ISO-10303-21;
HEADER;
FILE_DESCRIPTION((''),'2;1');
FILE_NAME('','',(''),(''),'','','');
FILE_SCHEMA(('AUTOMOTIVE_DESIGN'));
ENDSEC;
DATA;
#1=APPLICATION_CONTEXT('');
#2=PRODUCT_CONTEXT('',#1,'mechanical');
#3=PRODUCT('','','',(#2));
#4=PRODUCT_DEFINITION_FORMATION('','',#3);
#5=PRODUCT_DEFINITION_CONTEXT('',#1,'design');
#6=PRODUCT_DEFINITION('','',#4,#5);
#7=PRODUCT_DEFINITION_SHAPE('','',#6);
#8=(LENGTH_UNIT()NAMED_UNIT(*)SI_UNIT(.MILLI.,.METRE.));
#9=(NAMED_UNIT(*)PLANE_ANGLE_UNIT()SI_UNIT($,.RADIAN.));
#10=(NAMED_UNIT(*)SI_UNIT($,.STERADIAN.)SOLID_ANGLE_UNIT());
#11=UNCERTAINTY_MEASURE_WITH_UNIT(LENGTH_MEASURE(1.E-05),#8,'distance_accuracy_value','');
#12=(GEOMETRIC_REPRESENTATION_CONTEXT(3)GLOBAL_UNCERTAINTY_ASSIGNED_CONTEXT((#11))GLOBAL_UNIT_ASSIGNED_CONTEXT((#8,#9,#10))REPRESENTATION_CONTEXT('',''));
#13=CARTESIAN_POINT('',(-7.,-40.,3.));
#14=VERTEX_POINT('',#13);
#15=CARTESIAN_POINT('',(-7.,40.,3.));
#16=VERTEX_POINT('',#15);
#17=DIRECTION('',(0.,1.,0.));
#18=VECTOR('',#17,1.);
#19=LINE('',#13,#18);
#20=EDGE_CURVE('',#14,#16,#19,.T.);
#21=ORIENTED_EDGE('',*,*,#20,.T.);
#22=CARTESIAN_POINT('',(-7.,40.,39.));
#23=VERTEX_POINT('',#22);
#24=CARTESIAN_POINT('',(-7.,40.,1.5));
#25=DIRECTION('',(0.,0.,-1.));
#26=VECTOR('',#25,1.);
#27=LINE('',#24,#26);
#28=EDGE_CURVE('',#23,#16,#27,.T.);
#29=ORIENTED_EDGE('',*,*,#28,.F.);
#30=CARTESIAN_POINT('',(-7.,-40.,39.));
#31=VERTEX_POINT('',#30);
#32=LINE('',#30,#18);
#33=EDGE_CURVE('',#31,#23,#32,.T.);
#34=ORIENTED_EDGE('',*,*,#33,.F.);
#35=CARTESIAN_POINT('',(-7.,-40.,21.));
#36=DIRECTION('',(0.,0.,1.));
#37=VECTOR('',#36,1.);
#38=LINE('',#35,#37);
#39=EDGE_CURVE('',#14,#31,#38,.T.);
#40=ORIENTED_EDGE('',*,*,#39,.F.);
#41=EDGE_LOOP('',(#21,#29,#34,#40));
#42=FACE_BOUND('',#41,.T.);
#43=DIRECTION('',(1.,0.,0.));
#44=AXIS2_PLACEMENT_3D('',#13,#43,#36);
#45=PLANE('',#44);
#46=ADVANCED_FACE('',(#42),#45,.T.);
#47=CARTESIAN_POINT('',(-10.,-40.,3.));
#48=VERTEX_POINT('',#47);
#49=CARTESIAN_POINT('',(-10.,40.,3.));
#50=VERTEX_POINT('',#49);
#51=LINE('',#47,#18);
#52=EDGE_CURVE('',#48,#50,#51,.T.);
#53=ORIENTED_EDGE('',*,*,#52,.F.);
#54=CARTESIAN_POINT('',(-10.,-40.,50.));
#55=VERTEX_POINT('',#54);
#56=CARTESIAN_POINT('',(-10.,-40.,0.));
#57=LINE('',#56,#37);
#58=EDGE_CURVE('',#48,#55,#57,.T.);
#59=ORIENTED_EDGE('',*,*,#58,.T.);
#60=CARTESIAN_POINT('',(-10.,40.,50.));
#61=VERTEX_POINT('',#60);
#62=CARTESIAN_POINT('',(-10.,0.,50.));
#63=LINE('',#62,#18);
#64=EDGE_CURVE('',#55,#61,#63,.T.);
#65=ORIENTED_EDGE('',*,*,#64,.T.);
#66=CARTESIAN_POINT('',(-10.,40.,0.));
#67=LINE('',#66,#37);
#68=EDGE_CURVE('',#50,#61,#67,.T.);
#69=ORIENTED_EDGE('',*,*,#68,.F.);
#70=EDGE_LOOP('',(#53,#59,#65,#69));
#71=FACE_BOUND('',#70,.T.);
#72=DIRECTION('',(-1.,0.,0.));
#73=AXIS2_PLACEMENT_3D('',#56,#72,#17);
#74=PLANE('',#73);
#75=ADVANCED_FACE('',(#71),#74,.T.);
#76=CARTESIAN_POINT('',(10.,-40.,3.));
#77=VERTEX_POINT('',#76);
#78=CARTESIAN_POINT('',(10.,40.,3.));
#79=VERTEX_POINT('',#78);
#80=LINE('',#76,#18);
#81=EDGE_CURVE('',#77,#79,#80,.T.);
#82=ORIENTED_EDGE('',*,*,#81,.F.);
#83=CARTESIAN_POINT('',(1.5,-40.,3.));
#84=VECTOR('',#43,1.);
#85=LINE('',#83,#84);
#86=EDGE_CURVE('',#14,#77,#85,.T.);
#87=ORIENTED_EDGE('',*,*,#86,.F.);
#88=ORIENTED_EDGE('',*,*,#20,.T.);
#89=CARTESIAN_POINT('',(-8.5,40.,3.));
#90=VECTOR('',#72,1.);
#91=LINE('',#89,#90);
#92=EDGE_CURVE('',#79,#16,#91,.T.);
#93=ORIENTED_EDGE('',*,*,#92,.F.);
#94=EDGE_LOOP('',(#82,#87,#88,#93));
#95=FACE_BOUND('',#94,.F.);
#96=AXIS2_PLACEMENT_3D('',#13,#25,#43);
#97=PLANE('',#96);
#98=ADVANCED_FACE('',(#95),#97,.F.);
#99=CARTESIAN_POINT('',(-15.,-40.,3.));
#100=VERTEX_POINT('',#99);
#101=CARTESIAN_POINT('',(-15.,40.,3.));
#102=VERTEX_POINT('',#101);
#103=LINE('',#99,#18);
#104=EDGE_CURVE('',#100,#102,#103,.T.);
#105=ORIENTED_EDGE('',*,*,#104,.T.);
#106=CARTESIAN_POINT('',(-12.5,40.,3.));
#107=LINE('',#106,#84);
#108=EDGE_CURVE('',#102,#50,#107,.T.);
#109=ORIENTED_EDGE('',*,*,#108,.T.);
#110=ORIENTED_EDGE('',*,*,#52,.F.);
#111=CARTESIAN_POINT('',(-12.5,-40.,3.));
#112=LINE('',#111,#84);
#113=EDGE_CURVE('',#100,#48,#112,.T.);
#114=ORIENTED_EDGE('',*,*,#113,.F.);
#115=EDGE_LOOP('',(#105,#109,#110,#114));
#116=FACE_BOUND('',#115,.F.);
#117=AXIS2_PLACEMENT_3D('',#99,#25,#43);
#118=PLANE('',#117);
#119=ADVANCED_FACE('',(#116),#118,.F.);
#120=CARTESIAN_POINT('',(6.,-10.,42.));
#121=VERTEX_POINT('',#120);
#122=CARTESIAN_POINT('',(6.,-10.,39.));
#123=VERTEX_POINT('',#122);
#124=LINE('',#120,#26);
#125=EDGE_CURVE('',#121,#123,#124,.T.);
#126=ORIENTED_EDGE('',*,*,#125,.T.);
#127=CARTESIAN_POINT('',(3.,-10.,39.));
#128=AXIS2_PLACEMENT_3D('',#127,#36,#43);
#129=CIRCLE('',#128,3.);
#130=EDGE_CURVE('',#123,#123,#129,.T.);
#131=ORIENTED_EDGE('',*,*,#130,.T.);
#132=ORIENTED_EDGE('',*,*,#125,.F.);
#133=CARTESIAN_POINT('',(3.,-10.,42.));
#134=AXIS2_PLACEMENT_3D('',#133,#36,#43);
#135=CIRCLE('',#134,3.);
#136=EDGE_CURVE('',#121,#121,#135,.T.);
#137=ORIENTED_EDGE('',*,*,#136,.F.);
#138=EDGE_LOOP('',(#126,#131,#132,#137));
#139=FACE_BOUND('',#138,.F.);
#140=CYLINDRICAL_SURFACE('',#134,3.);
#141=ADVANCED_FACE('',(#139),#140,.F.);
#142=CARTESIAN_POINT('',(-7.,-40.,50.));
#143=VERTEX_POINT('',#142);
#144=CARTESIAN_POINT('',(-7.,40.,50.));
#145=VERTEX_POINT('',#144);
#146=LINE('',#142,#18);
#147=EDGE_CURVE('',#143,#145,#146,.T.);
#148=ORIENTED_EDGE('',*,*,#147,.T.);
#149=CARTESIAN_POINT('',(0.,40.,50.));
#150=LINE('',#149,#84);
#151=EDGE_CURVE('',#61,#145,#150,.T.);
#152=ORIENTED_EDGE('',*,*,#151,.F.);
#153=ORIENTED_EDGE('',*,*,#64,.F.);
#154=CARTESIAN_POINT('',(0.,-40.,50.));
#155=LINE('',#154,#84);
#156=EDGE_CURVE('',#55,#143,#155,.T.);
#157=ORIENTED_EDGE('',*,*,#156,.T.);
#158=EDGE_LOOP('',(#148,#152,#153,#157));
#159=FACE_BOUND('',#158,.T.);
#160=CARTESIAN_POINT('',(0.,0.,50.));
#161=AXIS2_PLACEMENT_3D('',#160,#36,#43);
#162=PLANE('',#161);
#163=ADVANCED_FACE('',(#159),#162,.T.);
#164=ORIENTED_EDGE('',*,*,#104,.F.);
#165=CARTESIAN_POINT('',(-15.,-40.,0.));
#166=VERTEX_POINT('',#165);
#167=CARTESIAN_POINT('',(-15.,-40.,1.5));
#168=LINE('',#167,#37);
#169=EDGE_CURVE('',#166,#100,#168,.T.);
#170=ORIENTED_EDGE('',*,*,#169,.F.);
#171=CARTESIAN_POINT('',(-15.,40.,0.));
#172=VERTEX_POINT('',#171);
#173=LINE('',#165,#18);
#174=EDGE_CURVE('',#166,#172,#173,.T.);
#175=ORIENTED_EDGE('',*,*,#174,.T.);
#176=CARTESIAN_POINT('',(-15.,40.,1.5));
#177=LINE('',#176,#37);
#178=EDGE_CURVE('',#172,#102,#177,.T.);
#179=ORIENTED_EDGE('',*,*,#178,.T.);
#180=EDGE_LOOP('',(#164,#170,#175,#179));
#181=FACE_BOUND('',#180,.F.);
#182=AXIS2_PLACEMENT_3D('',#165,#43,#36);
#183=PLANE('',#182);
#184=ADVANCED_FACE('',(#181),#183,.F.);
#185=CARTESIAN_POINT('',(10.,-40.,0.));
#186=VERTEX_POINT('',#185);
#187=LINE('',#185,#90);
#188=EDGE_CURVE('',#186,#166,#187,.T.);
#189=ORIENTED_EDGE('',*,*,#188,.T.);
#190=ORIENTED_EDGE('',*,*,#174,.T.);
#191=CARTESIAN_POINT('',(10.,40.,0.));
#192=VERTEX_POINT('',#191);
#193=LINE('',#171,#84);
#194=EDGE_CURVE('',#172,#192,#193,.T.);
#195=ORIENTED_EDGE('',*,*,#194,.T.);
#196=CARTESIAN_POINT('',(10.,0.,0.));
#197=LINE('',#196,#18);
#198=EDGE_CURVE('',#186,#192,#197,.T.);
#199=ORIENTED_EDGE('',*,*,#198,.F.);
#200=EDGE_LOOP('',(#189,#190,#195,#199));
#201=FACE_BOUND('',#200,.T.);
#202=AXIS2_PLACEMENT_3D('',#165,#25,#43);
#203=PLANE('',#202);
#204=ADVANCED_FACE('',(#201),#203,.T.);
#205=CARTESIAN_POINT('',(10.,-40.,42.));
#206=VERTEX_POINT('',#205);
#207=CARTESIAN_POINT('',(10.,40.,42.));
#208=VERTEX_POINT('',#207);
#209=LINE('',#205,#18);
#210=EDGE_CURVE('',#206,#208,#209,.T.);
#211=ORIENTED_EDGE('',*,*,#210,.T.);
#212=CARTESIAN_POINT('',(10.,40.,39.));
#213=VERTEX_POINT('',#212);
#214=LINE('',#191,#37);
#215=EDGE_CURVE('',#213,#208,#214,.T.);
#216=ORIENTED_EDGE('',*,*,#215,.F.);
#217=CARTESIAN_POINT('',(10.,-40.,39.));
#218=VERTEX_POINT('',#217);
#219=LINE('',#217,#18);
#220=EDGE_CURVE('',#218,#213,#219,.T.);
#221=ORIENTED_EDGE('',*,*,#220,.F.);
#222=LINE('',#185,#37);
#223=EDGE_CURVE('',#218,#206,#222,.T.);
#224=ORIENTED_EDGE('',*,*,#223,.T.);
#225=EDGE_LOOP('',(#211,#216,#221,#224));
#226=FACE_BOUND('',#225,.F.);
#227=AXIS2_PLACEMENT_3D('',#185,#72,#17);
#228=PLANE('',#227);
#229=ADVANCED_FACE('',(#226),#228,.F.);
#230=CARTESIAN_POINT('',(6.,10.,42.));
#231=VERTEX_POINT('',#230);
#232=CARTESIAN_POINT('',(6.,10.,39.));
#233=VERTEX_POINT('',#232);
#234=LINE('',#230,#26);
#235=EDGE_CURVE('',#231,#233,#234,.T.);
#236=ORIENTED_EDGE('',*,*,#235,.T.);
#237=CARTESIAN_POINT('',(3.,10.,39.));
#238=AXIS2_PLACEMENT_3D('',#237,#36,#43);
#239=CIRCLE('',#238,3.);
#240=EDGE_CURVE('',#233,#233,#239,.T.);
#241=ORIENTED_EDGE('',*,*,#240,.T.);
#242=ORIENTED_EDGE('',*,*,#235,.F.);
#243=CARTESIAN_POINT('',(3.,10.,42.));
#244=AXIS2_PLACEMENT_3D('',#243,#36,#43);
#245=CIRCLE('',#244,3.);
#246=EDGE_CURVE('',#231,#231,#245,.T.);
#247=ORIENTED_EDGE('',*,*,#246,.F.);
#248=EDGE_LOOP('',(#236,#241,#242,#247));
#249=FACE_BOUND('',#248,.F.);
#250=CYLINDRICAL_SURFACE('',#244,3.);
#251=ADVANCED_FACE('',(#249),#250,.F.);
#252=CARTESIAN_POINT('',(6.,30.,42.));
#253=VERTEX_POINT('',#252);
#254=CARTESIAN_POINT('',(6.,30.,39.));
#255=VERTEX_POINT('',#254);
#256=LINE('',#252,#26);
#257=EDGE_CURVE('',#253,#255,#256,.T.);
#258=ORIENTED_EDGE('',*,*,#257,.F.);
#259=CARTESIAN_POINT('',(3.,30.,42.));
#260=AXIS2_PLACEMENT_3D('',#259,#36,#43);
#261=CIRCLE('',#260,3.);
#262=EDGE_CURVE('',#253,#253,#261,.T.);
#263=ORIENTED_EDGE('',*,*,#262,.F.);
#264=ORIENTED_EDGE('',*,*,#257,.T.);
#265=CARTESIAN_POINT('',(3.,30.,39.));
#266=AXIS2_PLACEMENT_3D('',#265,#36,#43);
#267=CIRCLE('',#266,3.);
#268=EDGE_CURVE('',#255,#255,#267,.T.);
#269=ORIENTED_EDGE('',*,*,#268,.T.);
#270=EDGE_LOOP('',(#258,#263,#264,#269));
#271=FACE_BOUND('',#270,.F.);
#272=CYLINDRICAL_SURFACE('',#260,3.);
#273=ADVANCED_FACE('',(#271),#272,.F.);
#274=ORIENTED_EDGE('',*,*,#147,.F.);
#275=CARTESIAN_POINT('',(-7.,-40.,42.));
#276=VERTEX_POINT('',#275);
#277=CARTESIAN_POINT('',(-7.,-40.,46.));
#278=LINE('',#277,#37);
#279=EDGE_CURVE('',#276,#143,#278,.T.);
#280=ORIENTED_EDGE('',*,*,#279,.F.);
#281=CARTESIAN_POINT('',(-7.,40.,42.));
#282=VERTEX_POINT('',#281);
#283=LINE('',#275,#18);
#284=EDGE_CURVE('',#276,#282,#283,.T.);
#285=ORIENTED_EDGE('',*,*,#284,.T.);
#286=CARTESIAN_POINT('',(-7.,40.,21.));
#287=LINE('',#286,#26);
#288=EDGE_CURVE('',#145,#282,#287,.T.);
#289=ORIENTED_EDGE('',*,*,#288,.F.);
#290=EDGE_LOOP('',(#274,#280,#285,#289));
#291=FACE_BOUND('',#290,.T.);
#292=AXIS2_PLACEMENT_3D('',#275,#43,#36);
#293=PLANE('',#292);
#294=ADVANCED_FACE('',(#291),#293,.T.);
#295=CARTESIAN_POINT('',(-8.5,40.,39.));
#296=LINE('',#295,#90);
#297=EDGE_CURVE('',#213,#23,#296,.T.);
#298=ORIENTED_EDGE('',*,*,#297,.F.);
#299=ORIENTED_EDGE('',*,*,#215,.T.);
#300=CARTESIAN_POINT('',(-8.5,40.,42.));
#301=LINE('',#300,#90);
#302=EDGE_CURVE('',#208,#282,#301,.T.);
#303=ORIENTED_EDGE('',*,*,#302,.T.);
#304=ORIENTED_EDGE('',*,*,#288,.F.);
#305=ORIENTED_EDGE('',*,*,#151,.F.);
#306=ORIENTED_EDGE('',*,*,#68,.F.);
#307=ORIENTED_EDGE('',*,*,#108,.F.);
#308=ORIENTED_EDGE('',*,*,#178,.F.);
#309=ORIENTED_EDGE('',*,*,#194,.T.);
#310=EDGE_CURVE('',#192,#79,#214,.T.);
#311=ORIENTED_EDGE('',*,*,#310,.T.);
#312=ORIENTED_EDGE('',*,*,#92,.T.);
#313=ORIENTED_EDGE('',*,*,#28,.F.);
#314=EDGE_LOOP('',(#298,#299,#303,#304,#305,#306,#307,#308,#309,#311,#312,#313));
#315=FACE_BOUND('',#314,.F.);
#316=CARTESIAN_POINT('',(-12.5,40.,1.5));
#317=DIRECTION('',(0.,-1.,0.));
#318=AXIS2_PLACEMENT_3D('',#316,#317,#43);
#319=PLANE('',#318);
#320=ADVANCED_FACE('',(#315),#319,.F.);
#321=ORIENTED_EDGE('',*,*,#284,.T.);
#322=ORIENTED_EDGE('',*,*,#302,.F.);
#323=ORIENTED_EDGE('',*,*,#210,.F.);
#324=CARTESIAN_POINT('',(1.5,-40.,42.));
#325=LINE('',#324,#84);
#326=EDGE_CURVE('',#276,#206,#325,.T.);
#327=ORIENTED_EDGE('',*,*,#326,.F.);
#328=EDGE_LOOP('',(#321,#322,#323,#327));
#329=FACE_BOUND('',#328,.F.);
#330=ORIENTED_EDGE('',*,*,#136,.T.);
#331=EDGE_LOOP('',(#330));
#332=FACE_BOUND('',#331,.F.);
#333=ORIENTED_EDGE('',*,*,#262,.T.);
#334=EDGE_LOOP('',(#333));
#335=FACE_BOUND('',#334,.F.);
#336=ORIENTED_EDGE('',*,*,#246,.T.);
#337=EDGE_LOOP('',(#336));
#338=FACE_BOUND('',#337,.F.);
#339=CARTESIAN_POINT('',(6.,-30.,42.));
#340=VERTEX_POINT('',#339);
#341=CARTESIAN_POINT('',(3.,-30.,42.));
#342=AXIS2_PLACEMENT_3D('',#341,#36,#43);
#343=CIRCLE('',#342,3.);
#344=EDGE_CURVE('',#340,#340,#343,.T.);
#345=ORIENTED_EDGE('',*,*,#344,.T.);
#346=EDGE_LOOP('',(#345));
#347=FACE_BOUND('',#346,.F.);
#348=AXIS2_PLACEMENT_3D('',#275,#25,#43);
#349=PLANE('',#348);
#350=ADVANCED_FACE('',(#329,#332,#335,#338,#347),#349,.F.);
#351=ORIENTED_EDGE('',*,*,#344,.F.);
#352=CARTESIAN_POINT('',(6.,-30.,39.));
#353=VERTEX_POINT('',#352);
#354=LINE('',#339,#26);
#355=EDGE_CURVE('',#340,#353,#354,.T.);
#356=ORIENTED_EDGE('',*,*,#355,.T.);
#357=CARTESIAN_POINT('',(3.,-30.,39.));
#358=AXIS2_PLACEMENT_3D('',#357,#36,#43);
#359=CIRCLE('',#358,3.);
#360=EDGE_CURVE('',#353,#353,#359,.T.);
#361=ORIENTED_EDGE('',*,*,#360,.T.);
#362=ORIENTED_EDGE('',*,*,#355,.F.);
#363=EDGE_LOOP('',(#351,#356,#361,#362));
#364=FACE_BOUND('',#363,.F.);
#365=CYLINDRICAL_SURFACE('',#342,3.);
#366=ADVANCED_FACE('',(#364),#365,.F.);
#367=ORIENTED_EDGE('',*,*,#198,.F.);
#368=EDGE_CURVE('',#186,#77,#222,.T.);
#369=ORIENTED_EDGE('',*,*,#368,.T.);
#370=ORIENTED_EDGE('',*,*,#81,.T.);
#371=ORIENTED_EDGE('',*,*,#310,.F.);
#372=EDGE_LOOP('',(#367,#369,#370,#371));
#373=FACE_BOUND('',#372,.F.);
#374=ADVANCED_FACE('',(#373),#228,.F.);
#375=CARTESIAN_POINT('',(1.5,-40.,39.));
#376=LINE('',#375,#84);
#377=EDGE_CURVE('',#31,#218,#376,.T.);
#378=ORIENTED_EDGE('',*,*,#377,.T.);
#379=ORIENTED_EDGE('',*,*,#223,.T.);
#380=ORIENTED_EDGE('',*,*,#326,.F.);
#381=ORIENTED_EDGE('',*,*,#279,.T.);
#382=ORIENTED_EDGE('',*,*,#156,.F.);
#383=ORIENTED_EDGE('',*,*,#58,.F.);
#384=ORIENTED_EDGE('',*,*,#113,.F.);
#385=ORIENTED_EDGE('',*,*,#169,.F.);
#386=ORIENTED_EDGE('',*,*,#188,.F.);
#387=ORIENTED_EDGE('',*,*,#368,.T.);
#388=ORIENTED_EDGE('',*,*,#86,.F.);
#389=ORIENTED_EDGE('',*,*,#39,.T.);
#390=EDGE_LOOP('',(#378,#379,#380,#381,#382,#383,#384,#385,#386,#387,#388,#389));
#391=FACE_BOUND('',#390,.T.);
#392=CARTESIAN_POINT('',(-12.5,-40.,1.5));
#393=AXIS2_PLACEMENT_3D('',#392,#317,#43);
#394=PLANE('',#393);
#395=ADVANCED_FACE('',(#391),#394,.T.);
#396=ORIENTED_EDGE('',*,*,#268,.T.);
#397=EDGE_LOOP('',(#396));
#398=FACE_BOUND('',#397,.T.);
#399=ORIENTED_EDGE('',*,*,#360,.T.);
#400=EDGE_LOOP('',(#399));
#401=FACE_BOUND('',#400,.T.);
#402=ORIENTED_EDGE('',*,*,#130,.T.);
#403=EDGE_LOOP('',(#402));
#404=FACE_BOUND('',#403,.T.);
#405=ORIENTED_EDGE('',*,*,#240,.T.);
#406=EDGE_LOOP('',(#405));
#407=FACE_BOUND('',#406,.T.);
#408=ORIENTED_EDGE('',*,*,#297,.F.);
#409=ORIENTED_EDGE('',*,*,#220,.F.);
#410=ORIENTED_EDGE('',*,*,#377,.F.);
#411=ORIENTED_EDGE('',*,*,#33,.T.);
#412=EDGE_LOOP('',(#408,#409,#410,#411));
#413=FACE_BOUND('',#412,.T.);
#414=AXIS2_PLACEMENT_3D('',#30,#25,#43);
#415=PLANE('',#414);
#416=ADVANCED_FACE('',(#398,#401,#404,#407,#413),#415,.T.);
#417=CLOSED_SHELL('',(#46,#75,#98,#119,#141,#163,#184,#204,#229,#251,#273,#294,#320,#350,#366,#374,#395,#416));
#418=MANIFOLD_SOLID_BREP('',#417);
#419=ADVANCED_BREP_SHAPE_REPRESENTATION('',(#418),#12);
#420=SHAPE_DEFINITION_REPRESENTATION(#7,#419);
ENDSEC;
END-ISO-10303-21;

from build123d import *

# Parameters (mm, degrees)
F0_W     = 20
F0_H     = 80
F1_DEPTH = 50
F2_W     = 17
F2_H     = 36
F2_H_2   = 8
F3_DEPTH = 80.001
F4_R     = 3
F5_DEPTH = 3
F6_W     = 5
F6_H     = 3
F7_DEPTH = 80


with BuildPart() as f1:
    # F0 (on Top) → F1 (new body)
    with BuildSketch(Plane.XY):
        Rectangle(F0_W, F0_H)
    extrude(amount=F1_DEPTH)

    # F2 (on face) → F3 (cut, through all)
    with BuildSketch(Plane.XZ.offset(40)):
        with Locations((1.5, 21)):
            Rectangle(F2_W, F2_H)
        with Locations((1.5, 46)):
            Rectangle(F2_W, F2_H_2)
    extrude(amount=-F3_DEPTH, mode=Mode.SUBTRACT)

    # F4 (on face) → F5 (cut, through all)
    with BuildSketch(Plane.XY.offset(42)):
        with Locations((3, -30)):
            Circle(F4_R)
        with Locations((3, -10)):
            Circle(F4_R)
        with Locations((3, 10)):
            Circle(F4_R)
        with Locations((3, 30)):
            Circle(F4_R)
    extrude(amount=-F5_DEPTH, mode=Mode.SUBTRACT)

    # F6 (on face) → F7 (join, through all)
    with BuildSketch(Plane.XZ.offset(40)):
        with Locations((-12.5, 1.5)):
            Rectangle(F6_W, F6_H)
    extrude(amount=-F7_DEPTH)


solid = f1.part
